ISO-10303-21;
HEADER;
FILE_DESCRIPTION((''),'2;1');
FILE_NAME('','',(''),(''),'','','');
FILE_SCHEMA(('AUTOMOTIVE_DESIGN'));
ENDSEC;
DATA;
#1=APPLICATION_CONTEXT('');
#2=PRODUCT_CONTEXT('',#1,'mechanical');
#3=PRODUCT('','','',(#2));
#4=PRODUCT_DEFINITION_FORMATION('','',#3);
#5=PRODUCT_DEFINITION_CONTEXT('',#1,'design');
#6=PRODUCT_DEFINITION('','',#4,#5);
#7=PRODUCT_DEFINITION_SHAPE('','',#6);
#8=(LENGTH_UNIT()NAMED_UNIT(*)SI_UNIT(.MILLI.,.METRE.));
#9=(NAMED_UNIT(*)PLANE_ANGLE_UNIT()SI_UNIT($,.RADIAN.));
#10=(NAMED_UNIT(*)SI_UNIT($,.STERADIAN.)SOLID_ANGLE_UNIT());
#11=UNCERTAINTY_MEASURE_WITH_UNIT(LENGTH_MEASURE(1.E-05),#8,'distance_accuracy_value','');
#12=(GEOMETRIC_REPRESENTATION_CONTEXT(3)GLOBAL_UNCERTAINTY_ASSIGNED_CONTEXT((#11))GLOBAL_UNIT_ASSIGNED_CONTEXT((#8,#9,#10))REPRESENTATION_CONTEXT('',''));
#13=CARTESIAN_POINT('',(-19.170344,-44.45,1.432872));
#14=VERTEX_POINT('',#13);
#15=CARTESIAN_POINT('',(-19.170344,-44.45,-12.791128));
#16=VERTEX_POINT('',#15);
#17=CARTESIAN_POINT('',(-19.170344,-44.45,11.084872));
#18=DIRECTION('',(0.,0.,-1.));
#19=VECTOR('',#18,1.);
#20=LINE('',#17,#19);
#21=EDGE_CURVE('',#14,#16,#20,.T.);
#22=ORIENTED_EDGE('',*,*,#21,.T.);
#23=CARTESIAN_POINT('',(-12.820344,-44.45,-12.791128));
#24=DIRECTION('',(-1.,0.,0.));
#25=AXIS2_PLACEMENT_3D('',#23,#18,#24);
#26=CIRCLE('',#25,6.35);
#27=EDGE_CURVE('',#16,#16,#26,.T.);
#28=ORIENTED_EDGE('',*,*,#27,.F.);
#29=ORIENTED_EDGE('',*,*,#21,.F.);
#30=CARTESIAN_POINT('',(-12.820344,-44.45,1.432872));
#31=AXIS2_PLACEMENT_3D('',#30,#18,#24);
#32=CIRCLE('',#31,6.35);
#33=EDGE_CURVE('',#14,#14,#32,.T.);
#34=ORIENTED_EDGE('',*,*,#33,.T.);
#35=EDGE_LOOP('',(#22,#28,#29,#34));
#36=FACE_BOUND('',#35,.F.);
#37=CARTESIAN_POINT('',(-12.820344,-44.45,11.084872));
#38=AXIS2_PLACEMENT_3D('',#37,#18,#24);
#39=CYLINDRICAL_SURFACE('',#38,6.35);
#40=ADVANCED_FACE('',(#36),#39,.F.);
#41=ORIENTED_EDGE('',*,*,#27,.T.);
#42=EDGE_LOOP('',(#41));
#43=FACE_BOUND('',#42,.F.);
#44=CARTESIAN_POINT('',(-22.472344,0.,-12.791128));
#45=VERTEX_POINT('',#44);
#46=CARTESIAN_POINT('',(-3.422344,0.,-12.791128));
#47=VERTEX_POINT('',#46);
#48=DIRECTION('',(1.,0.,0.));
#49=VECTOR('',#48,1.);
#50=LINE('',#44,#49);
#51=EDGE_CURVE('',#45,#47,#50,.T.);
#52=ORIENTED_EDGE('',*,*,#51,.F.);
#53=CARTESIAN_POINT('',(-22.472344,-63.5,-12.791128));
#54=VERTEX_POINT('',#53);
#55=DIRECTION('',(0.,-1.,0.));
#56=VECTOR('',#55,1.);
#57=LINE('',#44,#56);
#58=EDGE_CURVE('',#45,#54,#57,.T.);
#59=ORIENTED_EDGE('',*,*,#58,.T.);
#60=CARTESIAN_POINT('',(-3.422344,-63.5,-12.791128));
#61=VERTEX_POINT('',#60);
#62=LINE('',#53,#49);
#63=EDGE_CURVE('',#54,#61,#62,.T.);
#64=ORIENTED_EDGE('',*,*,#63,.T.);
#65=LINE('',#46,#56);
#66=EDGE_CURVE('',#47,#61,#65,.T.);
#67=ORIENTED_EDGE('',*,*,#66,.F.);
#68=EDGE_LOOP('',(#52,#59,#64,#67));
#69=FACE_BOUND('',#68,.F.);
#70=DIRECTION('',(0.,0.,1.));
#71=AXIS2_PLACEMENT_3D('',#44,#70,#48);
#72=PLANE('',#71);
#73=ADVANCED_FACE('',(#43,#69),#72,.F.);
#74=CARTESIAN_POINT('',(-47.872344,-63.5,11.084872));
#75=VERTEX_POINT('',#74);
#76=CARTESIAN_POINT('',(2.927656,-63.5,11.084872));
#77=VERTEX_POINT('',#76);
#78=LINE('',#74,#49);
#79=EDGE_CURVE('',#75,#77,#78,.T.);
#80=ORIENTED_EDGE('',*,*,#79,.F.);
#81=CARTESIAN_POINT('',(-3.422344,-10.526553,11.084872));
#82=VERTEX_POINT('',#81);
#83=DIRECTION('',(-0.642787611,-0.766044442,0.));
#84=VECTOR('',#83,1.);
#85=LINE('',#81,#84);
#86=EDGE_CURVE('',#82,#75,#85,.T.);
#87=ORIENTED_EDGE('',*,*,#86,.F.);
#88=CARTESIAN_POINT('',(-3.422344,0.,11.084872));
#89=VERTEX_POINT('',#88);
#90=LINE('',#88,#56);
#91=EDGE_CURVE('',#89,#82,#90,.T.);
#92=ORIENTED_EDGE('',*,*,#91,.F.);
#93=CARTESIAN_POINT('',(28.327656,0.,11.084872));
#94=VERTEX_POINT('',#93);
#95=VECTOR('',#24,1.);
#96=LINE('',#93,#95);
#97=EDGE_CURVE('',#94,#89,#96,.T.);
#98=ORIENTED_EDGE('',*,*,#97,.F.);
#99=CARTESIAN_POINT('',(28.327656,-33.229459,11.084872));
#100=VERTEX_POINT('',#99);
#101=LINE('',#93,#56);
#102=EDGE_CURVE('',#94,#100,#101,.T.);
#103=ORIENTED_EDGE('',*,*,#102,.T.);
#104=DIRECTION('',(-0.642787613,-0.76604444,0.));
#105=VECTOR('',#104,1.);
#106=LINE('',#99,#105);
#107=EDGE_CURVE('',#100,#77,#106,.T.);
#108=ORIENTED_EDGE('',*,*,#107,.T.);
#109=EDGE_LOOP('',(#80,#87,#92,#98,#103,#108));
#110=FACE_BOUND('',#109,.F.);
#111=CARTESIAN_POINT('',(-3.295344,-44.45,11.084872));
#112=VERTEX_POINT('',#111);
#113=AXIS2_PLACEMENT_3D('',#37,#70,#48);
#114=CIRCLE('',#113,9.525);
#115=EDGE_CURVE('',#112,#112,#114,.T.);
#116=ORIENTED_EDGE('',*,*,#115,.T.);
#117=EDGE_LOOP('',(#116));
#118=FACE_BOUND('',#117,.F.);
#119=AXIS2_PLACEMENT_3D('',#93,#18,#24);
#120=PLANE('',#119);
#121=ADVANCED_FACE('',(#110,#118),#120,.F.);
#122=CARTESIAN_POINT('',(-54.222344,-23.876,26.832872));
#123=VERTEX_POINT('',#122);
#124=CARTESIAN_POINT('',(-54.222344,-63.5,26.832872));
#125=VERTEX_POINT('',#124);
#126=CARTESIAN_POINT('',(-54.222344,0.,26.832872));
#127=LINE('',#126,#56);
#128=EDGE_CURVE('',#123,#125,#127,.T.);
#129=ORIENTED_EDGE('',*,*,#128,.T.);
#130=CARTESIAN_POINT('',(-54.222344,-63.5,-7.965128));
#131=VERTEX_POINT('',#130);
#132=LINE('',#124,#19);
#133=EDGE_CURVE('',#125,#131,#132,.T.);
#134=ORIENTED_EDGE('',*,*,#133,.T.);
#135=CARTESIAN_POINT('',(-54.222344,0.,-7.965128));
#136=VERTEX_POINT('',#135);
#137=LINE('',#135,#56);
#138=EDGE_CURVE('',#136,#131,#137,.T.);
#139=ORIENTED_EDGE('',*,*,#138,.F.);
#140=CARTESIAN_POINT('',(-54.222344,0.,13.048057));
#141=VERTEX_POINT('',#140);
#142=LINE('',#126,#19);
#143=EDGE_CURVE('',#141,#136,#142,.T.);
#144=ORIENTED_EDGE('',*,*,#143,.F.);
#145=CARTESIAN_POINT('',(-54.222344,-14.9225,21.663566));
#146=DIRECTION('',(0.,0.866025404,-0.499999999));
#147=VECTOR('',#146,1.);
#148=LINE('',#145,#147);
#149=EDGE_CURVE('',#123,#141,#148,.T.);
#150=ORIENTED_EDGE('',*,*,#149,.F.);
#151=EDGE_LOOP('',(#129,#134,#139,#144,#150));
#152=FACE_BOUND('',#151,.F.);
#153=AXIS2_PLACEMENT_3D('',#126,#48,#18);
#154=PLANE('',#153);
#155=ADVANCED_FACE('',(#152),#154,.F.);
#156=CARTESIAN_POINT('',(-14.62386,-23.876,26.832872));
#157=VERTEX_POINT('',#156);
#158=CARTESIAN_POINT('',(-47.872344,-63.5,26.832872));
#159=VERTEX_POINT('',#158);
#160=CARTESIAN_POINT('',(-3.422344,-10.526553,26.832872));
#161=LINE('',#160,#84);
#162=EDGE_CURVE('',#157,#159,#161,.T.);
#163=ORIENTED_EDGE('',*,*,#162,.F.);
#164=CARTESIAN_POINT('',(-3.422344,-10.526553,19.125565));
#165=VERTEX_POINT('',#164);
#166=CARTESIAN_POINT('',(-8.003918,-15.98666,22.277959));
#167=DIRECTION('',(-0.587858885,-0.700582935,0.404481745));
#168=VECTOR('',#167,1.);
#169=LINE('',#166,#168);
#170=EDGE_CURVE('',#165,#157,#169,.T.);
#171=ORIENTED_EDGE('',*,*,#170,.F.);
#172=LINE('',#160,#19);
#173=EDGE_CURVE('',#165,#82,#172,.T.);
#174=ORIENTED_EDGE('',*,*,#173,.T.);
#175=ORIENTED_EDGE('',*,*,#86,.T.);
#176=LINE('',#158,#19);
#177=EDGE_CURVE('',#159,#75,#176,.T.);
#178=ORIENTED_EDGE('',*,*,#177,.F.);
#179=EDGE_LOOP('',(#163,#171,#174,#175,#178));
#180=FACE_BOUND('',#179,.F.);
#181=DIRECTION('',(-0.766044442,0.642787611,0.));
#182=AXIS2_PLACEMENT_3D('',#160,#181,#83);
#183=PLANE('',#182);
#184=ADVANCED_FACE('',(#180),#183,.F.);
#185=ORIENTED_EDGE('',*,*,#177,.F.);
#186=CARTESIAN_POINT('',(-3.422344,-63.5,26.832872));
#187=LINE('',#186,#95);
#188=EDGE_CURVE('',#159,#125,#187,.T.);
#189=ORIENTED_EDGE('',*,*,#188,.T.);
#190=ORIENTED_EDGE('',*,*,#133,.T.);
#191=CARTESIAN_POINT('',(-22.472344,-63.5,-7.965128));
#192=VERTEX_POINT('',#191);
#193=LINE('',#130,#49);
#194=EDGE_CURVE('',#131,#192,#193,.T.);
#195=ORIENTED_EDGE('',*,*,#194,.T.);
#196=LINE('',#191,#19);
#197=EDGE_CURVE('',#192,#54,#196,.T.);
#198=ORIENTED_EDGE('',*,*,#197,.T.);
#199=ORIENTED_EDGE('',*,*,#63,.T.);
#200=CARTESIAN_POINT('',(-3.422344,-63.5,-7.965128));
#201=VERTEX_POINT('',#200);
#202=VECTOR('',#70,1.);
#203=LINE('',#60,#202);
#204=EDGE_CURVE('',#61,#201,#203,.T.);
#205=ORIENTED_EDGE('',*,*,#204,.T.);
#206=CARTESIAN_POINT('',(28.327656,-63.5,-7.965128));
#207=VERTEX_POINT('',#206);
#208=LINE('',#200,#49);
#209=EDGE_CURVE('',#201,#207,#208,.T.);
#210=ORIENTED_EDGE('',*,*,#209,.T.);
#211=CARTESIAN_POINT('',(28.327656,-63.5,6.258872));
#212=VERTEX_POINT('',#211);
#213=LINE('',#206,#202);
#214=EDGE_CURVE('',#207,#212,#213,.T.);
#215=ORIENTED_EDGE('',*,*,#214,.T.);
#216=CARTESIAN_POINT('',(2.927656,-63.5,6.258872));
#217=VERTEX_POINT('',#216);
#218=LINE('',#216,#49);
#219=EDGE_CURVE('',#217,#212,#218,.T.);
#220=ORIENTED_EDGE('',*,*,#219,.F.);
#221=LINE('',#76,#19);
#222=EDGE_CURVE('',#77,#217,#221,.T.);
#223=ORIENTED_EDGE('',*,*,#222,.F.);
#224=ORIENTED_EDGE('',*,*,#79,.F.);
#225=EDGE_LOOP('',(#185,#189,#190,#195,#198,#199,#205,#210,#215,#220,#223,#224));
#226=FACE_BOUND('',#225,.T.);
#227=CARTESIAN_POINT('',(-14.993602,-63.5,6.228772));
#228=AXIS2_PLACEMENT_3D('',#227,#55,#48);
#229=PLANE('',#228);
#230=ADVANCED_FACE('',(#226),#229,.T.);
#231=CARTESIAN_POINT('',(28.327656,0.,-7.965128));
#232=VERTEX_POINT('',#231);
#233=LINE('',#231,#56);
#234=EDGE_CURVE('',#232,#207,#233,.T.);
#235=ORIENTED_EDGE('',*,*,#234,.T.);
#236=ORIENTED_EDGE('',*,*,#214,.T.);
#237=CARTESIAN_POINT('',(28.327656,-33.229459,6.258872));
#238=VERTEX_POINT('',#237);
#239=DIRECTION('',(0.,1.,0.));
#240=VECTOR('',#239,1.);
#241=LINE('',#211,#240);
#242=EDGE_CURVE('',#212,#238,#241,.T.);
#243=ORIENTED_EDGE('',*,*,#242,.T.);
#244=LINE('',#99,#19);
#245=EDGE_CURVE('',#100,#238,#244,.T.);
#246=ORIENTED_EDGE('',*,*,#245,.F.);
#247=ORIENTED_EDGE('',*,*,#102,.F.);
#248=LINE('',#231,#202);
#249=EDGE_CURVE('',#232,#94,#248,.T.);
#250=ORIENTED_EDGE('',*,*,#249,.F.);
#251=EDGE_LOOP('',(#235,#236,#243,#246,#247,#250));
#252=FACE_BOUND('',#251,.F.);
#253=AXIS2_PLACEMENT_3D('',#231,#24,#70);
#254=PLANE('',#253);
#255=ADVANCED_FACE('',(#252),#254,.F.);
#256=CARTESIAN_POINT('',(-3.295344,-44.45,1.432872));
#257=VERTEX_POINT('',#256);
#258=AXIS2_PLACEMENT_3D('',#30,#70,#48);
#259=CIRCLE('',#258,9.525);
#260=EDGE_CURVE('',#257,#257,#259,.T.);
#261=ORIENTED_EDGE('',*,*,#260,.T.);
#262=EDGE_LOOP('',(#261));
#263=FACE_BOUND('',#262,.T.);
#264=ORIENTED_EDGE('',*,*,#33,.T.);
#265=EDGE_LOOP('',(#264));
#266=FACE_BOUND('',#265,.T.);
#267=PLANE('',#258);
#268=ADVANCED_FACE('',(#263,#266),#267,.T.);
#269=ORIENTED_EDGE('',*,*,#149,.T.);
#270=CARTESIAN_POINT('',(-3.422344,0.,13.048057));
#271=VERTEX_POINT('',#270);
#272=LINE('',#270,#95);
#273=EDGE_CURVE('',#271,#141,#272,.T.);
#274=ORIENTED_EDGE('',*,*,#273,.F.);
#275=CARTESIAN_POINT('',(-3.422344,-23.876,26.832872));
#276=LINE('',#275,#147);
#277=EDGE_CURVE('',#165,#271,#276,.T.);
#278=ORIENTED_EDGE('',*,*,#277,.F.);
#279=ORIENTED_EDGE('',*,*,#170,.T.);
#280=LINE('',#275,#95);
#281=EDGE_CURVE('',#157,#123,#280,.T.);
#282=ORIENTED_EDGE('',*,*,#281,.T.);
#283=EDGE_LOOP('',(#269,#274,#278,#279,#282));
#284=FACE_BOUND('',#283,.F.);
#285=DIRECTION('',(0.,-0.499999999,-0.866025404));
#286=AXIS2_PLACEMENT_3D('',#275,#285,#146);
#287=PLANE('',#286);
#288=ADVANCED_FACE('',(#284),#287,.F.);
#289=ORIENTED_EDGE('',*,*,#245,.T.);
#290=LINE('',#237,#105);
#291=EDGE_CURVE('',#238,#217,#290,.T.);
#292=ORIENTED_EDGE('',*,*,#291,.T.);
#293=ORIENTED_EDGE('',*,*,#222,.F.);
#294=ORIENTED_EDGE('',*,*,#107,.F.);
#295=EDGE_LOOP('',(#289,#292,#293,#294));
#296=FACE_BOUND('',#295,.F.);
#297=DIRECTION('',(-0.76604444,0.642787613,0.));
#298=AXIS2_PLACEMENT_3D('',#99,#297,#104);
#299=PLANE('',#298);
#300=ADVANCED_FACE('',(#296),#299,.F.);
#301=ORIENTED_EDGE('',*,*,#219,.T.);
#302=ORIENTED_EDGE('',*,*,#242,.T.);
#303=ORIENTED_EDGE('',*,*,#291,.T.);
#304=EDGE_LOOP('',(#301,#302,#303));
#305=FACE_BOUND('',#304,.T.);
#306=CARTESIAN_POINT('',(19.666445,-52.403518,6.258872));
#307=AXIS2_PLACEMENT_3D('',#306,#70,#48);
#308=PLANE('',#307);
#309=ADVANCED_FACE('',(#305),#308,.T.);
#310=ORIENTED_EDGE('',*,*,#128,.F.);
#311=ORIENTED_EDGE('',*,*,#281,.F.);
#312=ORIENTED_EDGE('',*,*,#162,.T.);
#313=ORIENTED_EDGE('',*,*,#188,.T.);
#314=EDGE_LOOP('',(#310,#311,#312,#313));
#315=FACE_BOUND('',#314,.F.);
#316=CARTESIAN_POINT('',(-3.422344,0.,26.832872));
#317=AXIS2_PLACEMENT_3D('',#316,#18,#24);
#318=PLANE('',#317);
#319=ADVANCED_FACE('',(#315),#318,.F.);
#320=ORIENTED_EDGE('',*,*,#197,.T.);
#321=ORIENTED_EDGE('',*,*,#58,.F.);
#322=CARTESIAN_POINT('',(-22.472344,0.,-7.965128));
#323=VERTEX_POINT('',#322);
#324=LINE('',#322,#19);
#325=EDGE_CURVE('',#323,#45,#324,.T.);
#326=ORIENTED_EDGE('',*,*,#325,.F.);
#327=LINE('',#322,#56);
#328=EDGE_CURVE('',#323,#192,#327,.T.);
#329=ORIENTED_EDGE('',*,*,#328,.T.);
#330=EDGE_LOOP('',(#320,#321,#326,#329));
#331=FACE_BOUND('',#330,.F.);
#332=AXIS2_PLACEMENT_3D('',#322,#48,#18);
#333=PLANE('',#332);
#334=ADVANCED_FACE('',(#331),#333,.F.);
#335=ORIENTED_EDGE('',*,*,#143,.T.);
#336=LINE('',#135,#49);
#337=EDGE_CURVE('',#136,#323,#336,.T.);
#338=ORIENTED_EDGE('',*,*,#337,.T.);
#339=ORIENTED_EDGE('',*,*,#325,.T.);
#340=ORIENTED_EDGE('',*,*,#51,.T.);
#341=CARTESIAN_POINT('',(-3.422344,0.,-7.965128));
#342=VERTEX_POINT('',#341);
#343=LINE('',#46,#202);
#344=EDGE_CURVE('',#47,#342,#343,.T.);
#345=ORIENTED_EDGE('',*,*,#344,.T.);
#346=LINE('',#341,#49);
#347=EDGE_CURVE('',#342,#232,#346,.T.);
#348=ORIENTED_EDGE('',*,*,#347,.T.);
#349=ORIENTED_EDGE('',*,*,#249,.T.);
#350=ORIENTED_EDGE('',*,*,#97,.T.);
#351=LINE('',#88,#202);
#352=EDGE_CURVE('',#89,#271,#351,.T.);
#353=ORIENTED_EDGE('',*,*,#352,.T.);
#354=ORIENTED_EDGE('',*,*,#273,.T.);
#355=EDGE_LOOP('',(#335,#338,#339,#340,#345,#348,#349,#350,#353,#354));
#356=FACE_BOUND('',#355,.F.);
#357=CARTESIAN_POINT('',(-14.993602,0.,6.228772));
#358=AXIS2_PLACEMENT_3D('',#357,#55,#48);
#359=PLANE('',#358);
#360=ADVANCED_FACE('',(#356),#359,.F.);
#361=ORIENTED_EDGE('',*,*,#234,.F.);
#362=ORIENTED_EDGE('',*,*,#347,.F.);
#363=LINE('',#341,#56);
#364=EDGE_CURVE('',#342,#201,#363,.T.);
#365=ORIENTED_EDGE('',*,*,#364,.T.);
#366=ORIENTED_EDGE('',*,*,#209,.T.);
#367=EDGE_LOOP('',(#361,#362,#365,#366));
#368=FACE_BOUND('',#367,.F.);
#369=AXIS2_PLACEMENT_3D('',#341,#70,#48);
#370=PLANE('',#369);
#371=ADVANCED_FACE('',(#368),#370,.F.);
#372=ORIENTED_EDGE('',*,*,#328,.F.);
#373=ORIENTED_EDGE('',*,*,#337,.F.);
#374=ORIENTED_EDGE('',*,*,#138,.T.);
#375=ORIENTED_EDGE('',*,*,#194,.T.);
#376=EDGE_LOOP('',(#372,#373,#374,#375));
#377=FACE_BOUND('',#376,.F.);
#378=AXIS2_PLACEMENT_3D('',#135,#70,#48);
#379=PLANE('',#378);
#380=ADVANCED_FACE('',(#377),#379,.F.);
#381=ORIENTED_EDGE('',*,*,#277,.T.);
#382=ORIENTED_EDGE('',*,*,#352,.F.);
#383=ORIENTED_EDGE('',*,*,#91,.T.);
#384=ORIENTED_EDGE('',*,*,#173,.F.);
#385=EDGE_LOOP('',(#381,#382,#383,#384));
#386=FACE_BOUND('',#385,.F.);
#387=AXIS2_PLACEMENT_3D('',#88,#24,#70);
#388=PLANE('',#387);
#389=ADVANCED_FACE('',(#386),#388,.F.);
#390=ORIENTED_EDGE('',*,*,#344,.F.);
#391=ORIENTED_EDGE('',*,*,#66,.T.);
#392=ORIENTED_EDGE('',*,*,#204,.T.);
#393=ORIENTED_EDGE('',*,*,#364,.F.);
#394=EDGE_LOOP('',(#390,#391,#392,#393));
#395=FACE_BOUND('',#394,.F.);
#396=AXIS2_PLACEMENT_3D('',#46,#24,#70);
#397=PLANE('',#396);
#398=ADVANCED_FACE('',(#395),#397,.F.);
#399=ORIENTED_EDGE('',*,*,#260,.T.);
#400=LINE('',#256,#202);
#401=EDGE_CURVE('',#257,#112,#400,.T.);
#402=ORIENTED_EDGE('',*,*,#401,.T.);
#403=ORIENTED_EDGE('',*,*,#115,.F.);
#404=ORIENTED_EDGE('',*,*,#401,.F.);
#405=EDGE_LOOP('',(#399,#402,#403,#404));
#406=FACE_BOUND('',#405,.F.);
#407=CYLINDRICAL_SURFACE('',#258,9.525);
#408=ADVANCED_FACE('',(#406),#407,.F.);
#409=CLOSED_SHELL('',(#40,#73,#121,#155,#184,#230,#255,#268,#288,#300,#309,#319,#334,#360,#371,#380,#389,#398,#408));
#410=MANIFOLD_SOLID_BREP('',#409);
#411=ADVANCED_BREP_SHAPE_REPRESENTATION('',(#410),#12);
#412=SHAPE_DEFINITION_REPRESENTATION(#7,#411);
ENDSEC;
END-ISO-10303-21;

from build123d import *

# Parameters (mm, degrees)
F1_DEPTH       = 63.5
F3_DEPTH       = 15.748
F5_DEPTH       = 4.826
F7_DEPTH       = 55.118
F9_D           = 12.7
F9_CBORE_D     = 19.05
F9_CBORE_DEPTH = 9.652


with BuildPart() as f1:
    # F0 (on Front) → F1 (new body)
    with BuildSketch(Plane.XZ):
        Polygon((-3.422344, 11.084872), (-3.422344, 26.832872), (-54.222344, 26.832872), (-54.222344, -7.965128), (-22.472344, -7.965128), (-22.472344, -12.791128), (-3.422344, -12.791128), (-3.422344, -7.965128), (28.327656, -7.965128), (28.327656, 11.084872), align=None)
    extrude(amount=F1_DEPTH)

    # F2 (on face) → F3 (cut)
    with BuildSketch(Plane.XY.offset(26.832872)):
        Polygon((-3.422344, -10.526553), (-47.872344, -63.5), (-3.422344, -63.5), align=None)
    extrude(amount=-F3_DEPTH, mode=Mode.SUBTRACT)

    # F4 (on face) → F5 (cut)
    with BuildSketch(Plane.XY.offset(11.084872)):
        Polygon((2.927656, -63.5), (28.327656, -63.5), (28.327656, -33.229459), align=None)
    extrude(amount=-F5_DEPTH, mode=Mode.SUBTRACT)

    # F6 (on face) → F7 (cut)
    with BuildSketch(Plane.YZ.offset(-3.422344)):
        Polygon((0, 13.048057), (0, 26.832872), (-23.876, 26.832872), align=None)
    extrude(amount=-F7_DEPTH, mode=Mode.SUBTRACT)

    # F9 (through all)
    with Locations(Plane.XY.offset(11.084872)):
        with Locations((-12.820344, -44.45)):
            CounterBoreHole(F9_D / 2, F9_CBORE_D / 2, F9_CBORE_DEPTH)


solid = f1.part
